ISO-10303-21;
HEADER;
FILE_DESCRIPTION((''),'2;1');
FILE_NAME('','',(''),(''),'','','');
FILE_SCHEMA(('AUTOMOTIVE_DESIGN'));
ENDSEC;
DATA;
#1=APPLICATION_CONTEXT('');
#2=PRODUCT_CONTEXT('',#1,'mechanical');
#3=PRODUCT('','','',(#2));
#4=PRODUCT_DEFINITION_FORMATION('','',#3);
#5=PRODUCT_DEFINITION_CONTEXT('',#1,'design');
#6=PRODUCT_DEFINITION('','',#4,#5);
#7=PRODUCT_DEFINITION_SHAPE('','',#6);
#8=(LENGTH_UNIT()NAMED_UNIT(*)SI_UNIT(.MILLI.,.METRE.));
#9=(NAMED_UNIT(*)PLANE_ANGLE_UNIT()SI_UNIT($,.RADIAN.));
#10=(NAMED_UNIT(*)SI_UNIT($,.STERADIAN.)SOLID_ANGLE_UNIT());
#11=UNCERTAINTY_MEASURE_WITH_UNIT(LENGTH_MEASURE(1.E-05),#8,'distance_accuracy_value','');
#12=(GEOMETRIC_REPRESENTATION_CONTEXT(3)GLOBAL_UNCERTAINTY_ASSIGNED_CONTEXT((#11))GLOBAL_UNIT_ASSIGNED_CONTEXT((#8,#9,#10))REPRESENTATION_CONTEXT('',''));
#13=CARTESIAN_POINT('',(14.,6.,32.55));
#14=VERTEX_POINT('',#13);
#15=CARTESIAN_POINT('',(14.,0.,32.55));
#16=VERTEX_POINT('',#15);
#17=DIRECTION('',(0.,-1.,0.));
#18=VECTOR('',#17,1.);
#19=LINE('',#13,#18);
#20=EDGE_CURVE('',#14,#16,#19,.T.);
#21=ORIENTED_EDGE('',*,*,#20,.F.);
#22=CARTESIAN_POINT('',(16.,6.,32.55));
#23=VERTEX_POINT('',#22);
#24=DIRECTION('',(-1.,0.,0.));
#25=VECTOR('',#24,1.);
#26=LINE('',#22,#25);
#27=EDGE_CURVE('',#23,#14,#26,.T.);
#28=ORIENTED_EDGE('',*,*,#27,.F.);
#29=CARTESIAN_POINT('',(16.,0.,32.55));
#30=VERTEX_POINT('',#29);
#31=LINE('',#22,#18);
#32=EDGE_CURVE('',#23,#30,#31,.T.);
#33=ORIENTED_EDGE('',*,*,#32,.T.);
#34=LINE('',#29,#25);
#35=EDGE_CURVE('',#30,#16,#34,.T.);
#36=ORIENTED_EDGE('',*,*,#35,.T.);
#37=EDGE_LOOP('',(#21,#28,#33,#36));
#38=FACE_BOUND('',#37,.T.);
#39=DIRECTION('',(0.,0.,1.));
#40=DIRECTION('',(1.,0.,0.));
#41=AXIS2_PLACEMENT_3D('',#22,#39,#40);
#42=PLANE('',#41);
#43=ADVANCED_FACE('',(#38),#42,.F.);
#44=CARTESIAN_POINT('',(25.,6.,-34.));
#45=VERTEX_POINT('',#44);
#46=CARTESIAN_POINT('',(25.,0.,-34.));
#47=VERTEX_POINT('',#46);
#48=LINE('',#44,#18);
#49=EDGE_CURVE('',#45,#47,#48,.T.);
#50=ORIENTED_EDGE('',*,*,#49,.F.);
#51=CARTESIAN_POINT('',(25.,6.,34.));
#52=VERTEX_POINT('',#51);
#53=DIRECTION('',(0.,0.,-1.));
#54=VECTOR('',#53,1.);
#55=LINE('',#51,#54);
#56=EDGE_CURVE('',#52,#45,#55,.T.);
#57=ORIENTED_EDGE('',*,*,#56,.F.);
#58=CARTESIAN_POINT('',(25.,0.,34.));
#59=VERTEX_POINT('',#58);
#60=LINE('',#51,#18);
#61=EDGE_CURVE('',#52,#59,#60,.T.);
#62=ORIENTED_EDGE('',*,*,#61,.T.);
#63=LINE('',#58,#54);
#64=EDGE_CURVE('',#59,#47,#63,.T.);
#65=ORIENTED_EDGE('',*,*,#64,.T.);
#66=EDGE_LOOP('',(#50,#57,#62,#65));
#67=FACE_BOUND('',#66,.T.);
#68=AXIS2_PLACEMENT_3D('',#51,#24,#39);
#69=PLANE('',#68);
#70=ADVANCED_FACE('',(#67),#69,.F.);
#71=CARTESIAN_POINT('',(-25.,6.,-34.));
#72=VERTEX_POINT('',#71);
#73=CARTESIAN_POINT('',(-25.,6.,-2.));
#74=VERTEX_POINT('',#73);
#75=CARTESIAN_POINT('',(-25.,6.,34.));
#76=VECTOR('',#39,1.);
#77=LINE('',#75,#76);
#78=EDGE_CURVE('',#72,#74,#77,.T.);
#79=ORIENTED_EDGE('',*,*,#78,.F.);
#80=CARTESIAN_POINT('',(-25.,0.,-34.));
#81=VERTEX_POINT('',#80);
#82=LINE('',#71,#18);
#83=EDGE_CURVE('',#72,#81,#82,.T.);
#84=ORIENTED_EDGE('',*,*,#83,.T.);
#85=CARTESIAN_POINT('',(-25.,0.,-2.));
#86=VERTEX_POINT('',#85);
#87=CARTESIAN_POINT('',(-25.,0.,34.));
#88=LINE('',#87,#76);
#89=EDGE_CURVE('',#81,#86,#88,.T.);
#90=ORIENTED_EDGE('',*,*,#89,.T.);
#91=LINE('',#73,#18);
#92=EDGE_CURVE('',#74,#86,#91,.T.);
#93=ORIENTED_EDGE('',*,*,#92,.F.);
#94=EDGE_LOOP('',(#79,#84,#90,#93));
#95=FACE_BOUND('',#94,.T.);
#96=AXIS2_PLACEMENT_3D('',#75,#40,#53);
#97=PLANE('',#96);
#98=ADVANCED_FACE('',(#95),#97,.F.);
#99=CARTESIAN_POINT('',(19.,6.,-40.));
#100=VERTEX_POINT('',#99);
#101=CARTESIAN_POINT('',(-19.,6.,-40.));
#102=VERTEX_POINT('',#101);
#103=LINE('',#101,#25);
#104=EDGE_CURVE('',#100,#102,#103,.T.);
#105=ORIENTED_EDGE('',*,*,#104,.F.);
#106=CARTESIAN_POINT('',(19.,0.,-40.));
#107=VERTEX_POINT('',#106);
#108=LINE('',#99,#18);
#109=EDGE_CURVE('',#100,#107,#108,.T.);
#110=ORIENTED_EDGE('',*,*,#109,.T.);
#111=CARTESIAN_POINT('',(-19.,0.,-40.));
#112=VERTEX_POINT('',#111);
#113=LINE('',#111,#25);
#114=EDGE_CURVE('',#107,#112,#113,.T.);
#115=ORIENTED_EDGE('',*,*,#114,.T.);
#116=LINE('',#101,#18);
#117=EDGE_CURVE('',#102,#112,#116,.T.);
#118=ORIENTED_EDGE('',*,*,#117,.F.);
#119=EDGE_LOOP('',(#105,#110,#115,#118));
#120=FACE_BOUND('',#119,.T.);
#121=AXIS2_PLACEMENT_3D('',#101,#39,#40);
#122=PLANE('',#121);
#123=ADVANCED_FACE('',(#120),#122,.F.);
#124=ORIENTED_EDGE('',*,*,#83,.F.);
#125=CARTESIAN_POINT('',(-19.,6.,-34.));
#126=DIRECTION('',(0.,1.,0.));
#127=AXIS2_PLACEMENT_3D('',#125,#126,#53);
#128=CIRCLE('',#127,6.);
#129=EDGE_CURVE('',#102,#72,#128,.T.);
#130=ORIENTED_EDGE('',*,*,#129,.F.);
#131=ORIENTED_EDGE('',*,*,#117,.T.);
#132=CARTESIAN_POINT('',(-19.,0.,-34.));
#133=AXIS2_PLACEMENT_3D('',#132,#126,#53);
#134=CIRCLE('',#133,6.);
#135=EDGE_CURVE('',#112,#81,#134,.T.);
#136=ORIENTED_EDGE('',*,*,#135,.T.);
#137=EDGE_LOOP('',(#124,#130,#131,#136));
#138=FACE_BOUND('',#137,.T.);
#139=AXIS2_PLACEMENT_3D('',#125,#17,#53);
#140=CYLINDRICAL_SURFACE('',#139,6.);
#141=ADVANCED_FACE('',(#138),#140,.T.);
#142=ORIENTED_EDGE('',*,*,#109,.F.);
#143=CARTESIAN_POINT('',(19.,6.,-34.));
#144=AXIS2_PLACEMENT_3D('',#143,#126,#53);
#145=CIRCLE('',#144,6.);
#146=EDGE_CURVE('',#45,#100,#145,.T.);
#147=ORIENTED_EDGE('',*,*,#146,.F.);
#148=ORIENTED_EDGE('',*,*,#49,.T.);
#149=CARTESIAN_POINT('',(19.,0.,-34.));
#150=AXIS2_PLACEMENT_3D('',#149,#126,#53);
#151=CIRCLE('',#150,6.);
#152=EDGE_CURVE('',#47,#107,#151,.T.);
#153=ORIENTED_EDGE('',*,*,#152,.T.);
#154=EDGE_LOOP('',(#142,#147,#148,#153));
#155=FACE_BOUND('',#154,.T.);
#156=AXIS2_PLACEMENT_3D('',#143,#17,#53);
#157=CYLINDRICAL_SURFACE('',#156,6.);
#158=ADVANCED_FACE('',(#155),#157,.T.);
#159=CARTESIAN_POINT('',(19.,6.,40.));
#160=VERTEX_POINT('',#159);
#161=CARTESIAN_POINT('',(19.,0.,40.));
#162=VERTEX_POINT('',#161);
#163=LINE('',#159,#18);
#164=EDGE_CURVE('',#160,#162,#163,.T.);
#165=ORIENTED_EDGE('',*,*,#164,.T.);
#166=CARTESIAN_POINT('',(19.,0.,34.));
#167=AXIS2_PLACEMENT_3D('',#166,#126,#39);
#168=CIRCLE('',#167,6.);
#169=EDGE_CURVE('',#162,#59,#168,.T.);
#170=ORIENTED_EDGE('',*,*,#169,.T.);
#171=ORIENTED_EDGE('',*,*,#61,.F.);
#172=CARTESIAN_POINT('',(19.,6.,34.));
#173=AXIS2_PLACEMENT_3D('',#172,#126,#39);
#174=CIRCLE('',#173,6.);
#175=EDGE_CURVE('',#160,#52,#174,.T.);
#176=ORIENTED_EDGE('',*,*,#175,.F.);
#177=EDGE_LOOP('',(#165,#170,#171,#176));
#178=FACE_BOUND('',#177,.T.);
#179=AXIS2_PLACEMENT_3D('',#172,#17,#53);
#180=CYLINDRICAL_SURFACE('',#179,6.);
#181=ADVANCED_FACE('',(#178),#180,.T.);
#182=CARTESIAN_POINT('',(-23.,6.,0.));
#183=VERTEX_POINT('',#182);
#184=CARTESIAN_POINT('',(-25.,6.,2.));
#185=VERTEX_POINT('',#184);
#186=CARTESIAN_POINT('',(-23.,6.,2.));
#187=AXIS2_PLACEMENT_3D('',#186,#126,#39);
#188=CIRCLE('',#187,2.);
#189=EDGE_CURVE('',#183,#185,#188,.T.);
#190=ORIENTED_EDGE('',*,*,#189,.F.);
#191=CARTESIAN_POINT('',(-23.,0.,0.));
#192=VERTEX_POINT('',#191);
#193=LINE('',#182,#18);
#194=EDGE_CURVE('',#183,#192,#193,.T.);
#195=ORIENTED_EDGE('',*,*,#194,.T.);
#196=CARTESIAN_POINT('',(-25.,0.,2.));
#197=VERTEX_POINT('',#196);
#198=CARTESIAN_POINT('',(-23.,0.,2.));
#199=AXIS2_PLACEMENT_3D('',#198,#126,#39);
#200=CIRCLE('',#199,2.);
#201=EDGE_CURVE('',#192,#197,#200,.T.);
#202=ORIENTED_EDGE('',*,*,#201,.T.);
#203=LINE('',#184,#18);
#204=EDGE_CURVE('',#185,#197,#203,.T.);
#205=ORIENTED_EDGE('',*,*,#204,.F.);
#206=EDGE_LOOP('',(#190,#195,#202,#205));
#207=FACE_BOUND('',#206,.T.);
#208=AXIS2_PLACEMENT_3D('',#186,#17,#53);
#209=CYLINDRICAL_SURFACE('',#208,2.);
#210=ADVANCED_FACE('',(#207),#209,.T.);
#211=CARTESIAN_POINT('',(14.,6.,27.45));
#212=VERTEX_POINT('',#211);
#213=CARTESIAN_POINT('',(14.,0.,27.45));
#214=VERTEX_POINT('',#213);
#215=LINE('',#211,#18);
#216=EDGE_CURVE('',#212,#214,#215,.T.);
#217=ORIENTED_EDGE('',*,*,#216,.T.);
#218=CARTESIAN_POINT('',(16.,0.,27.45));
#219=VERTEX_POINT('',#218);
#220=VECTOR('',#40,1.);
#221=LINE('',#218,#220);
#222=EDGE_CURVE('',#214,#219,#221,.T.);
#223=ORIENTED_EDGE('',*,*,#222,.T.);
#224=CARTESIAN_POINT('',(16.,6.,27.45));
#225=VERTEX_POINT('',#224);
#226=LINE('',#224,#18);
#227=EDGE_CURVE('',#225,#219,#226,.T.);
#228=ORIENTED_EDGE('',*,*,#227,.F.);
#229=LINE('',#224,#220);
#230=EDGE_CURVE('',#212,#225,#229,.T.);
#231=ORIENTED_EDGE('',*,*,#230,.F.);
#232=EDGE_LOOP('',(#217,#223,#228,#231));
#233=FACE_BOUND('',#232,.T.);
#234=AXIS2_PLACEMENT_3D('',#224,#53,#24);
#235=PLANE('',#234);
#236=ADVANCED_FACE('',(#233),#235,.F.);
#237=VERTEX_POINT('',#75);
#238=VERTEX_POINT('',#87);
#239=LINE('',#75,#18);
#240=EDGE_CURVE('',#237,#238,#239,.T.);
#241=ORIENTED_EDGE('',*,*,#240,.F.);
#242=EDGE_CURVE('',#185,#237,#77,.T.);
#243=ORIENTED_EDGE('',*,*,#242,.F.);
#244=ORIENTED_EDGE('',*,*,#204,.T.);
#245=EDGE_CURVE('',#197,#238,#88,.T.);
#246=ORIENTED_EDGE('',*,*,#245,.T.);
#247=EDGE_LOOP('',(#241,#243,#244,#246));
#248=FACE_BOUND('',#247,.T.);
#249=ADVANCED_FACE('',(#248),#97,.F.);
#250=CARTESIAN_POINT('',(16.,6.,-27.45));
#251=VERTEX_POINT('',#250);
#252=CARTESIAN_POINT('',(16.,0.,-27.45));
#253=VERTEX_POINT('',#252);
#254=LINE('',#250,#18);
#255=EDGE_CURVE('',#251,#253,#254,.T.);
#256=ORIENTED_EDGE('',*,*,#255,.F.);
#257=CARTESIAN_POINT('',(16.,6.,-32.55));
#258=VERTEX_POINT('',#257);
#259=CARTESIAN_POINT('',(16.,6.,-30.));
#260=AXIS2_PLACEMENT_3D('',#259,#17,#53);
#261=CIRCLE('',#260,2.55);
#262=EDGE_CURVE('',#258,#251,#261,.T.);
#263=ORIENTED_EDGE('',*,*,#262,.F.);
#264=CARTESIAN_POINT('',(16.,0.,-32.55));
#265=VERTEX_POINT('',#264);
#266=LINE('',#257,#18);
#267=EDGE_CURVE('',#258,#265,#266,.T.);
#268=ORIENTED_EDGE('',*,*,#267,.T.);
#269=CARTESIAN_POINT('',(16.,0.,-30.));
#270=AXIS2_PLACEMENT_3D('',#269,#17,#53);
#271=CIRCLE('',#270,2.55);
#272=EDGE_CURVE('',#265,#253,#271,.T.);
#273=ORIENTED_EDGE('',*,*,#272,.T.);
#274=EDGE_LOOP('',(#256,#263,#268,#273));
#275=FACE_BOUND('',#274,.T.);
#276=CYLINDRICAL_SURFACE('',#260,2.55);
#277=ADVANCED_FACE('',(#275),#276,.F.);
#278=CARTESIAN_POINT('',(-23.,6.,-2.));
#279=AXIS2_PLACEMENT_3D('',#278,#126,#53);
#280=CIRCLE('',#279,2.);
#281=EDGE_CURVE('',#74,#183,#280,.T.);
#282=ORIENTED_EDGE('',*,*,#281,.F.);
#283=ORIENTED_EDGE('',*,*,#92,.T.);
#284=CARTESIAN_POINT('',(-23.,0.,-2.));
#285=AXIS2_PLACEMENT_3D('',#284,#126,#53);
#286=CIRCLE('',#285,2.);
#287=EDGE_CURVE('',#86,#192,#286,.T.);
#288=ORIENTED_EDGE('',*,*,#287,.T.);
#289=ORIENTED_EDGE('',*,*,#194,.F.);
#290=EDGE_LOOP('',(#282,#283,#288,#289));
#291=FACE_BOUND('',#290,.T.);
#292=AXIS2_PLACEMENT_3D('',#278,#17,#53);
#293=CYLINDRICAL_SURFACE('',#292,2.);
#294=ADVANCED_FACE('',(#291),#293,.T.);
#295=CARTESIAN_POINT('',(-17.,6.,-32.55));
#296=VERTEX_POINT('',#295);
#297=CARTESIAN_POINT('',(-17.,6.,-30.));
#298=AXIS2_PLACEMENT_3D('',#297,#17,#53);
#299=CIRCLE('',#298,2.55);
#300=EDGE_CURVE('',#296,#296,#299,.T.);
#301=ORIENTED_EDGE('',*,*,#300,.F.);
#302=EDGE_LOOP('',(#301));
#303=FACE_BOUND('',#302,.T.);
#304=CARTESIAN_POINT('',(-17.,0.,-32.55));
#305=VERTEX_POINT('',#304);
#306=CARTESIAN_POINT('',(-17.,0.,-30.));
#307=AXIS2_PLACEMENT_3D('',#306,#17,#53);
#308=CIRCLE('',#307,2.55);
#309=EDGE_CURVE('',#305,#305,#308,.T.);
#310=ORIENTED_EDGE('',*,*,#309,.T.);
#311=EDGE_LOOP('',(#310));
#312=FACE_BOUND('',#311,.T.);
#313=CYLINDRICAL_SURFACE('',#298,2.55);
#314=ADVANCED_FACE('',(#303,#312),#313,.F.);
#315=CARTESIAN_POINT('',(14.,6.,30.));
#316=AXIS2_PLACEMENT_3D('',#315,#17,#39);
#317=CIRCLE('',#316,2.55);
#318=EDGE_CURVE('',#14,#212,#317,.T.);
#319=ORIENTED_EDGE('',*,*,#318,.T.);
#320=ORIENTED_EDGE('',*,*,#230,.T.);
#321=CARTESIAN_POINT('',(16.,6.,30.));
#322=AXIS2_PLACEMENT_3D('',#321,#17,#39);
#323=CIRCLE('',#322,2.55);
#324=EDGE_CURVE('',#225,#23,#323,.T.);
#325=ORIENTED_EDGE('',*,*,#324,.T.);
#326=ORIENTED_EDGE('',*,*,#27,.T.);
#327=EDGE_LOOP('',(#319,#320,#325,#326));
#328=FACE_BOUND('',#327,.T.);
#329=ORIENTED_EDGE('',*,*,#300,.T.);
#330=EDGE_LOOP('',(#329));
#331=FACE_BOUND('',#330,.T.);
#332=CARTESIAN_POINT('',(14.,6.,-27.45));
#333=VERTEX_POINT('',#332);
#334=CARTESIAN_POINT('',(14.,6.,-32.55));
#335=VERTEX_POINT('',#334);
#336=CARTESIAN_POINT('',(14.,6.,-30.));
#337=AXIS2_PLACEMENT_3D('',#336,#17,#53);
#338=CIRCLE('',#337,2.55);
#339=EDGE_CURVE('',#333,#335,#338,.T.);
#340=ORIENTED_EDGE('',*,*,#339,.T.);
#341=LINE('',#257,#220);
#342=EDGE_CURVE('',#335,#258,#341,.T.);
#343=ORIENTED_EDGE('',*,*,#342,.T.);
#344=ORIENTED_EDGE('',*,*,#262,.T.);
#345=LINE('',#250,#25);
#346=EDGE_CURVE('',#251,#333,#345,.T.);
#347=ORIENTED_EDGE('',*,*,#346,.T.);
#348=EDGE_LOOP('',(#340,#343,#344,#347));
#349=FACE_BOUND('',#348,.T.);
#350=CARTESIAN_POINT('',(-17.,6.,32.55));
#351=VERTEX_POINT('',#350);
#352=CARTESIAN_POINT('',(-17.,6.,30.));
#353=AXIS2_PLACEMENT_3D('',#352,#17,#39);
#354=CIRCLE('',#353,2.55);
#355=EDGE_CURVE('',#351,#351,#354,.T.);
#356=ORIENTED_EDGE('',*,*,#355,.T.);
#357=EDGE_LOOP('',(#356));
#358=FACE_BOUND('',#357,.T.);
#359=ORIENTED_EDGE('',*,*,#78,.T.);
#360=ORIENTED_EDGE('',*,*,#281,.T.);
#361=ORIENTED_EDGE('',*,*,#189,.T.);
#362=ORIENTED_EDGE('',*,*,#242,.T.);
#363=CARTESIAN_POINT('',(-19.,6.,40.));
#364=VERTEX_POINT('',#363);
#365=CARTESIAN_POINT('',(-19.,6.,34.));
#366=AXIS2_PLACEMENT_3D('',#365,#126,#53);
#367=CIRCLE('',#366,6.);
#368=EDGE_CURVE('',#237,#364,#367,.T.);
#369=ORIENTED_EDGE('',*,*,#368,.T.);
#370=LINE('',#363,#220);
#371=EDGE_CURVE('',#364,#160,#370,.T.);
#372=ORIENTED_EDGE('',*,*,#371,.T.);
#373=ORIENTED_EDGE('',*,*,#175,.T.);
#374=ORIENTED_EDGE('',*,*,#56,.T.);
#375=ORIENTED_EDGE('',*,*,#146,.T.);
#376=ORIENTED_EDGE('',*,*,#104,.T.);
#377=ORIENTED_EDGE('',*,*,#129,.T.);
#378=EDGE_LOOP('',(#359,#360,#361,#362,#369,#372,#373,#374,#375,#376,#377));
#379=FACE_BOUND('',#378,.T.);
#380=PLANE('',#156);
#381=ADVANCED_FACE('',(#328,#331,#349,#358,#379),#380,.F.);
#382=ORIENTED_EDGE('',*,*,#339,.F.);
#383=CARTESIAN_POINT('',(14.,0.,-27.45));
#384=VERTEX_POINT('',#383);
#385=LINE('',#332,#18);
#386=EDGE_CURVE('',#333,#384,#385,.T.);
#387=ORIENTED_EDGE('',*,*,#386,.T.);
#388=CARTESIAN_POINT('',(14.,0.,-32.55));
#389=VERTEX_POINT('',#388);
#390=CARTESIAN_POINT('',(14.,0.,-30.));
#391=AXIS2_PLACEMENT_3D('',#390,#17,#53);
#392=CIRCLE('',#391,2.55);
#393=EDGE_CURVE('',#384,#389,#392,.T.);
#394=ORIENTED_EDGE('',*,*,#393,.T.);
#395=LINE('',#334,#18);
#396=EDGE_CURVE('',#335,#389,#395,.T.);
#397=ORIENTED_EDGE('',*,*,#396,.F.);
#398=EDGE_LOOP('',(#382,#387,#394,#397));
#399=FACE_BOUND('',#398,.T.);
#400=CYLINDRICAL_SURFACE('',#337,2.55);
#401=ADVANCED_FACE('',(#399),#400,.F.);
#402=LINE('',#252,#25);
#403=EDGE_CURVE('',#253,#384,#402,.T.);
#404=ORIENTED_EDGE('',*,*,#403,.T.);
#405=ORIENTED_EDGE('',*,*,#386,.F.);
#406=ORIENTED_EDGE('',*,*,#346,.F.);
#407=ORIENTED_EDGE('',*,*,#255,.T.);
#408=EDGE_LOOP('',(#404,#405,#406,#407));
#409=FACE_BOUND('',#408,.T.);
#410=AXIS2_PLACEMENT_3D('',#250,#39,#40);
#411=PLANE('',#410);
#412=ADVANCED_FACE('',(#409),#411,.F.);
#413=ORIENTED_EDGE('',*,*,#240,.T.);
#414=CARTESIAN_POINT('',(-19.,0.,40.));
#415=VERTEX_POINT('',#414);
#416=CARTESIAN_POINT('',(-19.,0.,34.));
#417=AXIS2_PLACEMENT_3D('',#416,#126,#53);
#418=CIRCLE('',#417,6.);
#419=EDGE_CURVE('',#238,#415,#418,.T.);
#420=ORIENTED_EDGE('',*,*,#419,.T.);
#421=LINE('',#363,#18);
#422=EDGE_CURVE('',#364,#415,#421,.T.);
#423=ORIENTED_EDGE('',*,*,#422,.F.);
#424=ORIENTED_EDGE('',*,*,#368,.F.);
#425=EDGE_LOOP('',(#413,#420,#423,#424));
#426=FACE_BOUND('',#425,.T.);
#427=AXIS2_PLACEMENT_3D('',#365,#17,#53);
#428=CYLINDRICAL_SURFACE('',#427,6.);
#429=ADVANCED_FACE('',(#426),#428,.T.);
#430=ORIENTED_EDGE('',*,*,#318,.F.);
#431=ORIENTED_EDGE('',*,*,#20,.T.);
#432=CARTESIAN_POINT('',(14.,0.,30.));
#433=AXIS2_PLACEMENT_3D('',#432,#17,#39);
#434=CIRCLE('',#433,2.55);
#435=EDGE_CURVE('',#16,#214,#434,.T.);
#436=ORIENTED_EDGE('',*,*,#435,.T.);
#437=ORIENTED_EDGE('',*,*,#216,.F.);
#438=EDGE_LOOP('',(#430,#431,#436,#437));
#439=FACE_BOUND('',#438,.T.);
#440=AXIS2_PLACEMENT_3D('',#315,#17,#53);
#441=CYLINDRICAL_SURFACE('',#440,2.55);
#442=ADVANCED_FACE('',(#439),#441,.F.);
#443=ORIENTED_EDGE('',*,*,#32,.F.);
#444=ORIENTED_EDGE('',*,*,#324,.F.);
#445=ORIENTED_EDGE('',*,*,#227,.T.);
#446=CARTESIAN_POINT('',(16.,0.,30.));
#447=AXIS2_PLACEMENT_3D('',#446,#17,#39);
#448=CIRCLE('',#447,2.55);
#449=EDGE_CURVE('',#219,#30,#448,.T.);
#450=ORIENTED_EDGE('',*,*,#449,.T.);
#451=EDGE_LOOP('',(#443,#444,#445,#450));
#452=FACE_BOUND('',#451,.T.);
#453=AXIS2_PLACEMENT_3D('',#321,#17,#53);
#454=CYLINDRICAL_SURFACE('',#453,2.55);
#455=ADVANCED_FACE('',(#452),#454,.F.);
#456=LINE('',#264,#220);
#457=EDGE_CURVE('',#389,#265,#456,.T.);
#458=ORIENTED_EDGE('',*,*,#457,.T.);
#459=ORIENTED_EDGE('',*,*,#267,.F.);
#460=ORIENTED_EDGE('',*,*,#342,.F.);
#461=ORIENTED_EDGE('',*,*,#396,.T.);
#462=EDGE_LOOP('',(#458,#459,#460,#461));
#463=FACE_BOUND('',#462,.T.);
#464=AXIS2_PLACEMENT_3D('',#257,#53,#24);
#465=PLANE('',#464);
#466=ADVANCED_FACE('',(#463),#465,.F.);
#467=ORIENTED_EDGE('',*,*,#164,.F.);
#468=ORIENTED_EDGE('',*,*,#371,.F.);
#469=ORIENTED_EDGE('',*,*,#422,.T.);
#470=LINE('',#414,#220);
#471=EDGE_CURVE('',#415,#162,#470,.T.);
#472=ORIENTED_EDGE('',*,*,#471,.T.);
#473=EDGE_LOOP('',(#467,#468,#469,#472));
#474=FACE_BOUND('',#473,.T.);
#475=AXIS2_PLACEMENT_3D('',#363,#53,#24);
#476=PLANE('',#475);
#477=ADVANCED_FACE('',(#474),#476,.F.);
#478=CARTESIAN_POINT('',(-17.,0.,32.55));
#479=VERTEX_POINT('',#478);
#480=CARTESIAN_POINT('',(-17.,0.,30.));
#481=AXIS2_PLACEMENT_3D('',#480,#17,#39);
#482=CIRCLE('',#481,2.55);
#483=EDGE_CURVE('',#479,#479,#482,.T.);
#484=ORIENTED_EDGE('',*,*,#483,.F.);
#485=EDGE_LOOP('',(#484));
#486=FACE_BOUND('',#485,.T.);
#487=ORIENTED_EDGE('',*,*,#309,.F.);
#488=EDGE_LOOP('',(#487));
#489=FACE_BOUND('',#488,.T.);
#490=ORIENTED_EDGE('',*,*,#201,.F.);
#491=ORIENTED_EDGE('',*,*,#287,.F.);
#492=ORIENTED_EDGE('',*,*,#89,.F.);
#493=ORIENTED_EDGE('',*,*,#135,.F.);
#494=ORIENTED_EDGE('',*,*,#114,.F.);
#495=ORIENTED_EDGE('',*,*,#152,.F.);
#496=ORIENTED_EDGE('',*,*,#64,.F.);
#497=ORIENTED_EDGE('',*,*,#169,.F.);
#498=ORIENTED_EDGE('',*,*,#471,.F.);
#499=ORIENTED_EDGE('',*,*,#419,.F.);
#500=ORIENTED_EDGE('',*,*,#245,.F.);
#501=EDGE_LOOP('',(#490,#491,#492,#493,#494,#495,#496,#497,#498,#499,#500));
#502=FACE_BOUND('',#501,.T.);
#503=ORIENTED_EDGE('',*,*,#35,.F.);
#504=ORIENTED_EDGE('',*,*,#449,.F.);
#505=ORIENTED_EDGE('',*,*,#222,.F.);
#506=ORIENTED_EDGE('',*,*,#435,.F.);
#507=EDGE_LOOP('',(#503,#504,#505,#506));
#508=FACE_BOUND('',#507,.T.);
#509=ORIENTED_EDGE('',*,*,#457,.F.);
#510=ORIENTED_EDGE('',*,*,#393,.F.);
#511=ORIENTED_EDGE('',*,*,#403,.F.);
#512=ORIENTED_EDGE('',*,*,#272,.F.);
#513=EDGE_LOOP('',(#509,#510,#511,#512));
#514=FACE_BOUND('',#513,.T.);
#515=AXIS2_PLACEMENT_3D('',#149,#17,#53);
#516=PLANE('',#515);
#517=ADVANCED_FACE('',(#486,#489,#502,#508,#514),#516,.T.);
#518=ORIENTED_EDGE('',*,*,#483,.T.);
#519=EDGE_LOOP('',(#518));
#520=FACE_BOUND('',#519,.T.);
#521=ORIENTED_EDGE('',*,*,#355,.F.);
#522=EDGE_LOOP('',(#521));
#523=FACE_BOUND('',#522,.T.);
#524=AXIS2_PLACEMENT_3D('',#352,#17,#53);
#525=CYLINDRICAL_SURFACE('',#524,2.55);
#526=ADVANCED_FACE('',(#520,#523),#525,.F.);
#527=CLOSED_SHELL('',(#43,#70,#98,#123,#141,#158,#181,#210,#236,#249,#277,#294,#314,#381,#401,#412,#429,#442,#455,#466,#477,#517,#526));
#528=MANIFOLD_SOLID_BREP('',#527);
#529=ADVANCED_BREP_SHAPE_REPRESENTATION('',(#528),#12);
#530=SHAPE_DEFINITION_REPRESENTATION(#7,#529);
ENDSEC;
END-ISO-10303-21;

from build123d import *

# Parameters (mm, degrees)
EXTRUDE_1_DEPTH     = 6
SKETCH_2_R          = 2.55
CUT_EXTRUDE_1_DEPTH = 48.549973712
CUT_EXTRUDE_2_DEPTH = 48.549973712


with BuildPart() as part:
    # Эскиз1 → Бобышка-Вытянуть1 (new body)
    with BuildSketch(Plane(origin=(0, 0, 0), x_dir=(1, 0, 0), z_dir=(0, 1, 0))):
        with BuildLine():
            Line((-19, -40), (19, -40))
            ThreePointArc((19, -40), (23.242640687, -38.242640687), (25, -34))
            Line((25, -34), (25, 34))
            ThreePointArc((25, 34), (23.242640687, 38.242640687), (19, 40))
            Line((19, 40), (-19, 40))
            ThreePointArc((-19, 40), (-23.242640687, 38.242640687), (-25, 34))
            Line((-25, 34), (-25, -34))
            ThreePointArc((-25, -34), (-23.242640687, -38.242640687), (-19, -40))
        make_face()
    extrude(amount=EXTRUDE_1_DEPTH)

    # Эскиз2 → Вырез-Вытянуть1 (cut, through all)
    with BuildSketch(Plane.XZ):
        with Locations(Location((-17, -30, 0), (0, 0, 270))):
            Circle(SKETCH_2_R)
        with Locations(Location((-17, 30, 0), (0, 0, 90))):
            Circle(SKETCH_2_R)
        with BuildLine():
            Line((16, -32.55), (14, -32.55))
            ThreePointArc((14, -32.55), (11.45, -30), (14, -27.45))
            Line((14, -27.45), (16, -27.45))
            ThreePointArc((16, -27.45), (18.55, -30), (16, -32.55))
        make_face()
        with BuildLine():
            Line((16, 32.55), (14, 32.55))
            ThreePointArc((14, 32.55), (11.45, 30), (14, 27.45))
            Line((14, 27.45), (16, 27.45))
            ThreePointArc((16, 27.45), (18.55, 30), (16, 32.55))
        make_face()
    extrude(amount=-CUT_EXTRUDE_1_DEPTH, mode=Mode.SUBTRACT)

    # Эскиз3 → Вырез-Вытянуть2 (cut, through all)
    with BuildSketch(Plane.XZ):
        with BuildLine():
            Line((-25, -2), (-25, 2))
            ThreePointArc((-25, 2), (-24.414213562, 0.585786438), (-23, 0))
            ThreePointArc((-23, 0), (-24.414213562, -0.585786438), (-25, -2))
        make_face()
    extrude(amount=-CUT_EXTRUDE_2_DEPTH, mode=Mode.SUBTRACT)


solid = part.part
